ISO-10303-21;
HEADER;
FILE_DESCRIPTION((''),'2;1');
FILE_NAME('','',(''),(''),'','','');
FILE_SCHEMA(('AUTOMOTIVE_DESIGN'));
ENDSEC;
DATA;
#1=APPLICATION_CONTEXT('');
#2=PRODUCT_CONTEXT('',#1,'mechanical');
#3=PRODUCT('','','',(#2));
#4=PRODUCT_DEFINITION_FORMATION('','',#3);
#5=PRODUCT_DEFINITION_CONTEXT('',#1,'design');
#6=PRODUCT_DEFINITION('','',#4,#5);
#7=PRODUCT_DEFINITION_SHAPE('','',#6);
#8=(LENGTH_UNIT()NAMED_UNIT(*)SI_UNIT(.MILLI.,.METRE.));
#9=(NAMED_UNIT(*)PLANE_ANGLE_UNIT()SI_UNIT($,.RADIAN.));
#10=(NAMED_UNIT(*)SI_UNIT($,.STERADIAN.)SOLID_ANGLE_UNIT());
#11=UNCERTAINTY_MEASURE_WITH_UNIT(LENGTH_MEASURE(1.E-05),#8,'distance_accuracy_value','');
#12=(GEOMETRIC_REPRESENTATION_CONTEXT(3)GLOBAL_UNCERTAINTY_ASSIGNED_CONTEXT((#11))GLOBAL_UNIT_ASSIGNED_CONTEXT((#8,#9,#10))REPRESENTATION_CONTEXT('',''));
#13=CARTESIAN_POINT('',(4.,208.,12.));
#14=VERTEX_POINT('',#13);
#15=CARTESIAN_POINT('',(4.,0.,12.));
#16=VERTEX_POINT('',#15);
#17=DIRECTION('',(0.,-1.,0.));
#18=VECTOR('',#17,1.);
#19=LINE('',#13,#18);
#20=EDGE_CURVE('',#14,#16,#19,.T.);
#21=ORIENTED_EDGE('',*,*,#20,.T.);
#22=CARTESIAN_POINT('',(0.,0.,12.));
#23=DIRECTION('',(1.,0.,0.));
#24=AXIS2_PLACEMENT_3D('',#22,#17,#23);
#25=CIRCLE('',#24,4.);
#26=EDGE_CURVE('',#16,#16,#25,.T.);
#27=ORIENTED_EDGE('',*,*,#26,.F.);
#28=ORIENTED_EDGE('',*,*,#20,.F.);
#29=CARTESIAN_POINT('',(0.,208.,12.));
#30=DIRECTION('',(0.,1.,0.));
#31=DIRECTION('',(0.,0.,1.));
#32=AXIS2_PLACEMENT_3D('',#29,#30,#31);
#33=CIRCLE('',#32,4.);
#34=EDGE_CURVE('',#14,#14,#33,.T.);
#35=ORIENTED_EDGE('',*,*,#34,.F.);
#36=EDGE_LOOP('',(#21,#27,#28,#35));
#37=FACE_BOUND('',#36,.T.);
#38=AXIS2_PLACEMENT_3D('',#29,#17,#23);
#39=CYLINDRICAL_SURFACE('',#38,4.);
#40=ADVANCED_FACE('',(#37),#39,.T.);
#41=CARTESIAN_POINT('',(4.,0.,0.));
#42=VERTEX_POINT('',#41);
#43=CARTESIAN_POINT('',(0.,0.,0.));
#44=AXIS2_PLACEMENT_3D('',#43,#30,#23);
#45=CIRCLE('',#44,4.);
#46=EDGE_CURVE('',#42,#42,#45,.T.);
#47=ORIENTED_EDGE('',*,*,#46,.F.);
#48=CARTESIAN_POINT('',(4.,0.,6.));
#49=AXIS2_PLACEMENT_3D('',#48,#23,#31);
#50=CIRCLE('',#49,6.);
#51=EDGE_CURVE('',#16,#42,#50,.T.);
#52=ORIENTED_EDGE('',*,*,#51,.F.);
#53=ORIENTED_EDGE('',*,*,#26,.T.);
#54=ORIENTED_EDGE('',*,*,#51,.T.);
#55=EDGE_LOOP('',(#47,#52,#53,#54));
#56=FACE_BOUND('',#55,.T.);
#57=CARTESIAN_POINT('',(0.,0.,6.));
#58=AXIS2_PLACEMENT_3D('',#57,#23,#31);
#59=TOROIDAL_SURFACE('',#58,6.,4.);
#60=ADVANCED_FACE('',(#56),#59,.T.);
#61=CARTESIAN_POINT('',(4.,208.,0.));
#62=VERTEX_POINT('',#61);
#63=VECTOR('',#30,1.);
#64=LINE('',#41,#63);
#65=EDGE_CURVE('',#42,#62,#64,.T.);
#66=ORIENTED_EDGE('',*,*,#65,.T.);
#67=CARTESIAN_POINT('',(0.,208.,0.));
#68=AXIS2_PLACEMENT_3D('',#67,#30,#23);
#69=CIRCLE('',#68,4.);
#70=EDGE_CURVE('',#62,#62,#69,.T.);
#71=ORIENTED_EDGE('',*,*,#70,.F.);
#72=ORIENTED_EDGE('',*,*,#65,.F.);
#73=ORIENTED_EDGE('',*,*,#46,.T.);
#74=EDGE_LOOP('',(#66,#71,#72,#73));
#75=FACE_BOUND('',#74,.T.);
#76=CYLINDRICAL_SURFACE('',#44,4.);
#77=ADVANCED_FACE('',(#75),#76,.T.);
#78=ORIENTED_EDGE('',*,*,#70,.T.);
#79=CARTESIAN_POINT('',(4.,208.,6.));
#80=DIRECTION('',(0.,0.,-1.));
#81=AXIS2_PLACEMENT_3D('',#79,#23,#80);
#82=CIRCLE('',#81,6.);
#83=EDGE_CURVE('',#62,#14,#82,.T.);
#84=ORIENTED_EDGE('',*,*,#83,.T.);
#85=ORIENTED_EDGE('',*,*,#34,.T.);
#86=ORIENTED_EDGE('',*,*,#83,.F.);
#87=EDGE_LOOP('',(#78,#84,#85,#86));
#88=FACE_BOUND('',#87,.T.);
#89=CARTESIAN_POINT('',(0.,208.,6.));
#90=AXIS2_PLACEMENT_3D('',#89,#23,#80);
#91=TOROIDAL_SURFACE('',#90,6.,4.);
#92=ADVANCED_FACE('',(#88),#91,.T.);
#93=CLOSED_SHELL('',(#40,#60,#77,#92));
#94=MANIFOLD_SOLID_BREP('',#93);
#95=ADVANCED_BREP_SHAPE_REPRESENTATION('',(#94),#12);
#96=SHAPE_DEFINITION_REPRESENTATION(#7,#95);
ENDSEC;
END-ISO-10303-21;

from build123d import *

# Parameters (mm, degrees)
F1_R = 4


with BuildPart() as f2:
    # F2: sweep along a path in F0
    with BuildLine(Plane.YZ) as f2_path:
        Line((0, 0), (208, 0))
        ThreePointArc((208, 0), (214, 6), (208, 12))
        Line((208, 12), (0, 12))
        ThreePointArc((0, 12), (-6, 6), (0, 0))
    # F1 (on Front) → F2 (sweep)
    with BuildSketch(Plane.XZ):
        Circle(F1_R)
    sweep(path=f2_path.line)


solid = f2.part
